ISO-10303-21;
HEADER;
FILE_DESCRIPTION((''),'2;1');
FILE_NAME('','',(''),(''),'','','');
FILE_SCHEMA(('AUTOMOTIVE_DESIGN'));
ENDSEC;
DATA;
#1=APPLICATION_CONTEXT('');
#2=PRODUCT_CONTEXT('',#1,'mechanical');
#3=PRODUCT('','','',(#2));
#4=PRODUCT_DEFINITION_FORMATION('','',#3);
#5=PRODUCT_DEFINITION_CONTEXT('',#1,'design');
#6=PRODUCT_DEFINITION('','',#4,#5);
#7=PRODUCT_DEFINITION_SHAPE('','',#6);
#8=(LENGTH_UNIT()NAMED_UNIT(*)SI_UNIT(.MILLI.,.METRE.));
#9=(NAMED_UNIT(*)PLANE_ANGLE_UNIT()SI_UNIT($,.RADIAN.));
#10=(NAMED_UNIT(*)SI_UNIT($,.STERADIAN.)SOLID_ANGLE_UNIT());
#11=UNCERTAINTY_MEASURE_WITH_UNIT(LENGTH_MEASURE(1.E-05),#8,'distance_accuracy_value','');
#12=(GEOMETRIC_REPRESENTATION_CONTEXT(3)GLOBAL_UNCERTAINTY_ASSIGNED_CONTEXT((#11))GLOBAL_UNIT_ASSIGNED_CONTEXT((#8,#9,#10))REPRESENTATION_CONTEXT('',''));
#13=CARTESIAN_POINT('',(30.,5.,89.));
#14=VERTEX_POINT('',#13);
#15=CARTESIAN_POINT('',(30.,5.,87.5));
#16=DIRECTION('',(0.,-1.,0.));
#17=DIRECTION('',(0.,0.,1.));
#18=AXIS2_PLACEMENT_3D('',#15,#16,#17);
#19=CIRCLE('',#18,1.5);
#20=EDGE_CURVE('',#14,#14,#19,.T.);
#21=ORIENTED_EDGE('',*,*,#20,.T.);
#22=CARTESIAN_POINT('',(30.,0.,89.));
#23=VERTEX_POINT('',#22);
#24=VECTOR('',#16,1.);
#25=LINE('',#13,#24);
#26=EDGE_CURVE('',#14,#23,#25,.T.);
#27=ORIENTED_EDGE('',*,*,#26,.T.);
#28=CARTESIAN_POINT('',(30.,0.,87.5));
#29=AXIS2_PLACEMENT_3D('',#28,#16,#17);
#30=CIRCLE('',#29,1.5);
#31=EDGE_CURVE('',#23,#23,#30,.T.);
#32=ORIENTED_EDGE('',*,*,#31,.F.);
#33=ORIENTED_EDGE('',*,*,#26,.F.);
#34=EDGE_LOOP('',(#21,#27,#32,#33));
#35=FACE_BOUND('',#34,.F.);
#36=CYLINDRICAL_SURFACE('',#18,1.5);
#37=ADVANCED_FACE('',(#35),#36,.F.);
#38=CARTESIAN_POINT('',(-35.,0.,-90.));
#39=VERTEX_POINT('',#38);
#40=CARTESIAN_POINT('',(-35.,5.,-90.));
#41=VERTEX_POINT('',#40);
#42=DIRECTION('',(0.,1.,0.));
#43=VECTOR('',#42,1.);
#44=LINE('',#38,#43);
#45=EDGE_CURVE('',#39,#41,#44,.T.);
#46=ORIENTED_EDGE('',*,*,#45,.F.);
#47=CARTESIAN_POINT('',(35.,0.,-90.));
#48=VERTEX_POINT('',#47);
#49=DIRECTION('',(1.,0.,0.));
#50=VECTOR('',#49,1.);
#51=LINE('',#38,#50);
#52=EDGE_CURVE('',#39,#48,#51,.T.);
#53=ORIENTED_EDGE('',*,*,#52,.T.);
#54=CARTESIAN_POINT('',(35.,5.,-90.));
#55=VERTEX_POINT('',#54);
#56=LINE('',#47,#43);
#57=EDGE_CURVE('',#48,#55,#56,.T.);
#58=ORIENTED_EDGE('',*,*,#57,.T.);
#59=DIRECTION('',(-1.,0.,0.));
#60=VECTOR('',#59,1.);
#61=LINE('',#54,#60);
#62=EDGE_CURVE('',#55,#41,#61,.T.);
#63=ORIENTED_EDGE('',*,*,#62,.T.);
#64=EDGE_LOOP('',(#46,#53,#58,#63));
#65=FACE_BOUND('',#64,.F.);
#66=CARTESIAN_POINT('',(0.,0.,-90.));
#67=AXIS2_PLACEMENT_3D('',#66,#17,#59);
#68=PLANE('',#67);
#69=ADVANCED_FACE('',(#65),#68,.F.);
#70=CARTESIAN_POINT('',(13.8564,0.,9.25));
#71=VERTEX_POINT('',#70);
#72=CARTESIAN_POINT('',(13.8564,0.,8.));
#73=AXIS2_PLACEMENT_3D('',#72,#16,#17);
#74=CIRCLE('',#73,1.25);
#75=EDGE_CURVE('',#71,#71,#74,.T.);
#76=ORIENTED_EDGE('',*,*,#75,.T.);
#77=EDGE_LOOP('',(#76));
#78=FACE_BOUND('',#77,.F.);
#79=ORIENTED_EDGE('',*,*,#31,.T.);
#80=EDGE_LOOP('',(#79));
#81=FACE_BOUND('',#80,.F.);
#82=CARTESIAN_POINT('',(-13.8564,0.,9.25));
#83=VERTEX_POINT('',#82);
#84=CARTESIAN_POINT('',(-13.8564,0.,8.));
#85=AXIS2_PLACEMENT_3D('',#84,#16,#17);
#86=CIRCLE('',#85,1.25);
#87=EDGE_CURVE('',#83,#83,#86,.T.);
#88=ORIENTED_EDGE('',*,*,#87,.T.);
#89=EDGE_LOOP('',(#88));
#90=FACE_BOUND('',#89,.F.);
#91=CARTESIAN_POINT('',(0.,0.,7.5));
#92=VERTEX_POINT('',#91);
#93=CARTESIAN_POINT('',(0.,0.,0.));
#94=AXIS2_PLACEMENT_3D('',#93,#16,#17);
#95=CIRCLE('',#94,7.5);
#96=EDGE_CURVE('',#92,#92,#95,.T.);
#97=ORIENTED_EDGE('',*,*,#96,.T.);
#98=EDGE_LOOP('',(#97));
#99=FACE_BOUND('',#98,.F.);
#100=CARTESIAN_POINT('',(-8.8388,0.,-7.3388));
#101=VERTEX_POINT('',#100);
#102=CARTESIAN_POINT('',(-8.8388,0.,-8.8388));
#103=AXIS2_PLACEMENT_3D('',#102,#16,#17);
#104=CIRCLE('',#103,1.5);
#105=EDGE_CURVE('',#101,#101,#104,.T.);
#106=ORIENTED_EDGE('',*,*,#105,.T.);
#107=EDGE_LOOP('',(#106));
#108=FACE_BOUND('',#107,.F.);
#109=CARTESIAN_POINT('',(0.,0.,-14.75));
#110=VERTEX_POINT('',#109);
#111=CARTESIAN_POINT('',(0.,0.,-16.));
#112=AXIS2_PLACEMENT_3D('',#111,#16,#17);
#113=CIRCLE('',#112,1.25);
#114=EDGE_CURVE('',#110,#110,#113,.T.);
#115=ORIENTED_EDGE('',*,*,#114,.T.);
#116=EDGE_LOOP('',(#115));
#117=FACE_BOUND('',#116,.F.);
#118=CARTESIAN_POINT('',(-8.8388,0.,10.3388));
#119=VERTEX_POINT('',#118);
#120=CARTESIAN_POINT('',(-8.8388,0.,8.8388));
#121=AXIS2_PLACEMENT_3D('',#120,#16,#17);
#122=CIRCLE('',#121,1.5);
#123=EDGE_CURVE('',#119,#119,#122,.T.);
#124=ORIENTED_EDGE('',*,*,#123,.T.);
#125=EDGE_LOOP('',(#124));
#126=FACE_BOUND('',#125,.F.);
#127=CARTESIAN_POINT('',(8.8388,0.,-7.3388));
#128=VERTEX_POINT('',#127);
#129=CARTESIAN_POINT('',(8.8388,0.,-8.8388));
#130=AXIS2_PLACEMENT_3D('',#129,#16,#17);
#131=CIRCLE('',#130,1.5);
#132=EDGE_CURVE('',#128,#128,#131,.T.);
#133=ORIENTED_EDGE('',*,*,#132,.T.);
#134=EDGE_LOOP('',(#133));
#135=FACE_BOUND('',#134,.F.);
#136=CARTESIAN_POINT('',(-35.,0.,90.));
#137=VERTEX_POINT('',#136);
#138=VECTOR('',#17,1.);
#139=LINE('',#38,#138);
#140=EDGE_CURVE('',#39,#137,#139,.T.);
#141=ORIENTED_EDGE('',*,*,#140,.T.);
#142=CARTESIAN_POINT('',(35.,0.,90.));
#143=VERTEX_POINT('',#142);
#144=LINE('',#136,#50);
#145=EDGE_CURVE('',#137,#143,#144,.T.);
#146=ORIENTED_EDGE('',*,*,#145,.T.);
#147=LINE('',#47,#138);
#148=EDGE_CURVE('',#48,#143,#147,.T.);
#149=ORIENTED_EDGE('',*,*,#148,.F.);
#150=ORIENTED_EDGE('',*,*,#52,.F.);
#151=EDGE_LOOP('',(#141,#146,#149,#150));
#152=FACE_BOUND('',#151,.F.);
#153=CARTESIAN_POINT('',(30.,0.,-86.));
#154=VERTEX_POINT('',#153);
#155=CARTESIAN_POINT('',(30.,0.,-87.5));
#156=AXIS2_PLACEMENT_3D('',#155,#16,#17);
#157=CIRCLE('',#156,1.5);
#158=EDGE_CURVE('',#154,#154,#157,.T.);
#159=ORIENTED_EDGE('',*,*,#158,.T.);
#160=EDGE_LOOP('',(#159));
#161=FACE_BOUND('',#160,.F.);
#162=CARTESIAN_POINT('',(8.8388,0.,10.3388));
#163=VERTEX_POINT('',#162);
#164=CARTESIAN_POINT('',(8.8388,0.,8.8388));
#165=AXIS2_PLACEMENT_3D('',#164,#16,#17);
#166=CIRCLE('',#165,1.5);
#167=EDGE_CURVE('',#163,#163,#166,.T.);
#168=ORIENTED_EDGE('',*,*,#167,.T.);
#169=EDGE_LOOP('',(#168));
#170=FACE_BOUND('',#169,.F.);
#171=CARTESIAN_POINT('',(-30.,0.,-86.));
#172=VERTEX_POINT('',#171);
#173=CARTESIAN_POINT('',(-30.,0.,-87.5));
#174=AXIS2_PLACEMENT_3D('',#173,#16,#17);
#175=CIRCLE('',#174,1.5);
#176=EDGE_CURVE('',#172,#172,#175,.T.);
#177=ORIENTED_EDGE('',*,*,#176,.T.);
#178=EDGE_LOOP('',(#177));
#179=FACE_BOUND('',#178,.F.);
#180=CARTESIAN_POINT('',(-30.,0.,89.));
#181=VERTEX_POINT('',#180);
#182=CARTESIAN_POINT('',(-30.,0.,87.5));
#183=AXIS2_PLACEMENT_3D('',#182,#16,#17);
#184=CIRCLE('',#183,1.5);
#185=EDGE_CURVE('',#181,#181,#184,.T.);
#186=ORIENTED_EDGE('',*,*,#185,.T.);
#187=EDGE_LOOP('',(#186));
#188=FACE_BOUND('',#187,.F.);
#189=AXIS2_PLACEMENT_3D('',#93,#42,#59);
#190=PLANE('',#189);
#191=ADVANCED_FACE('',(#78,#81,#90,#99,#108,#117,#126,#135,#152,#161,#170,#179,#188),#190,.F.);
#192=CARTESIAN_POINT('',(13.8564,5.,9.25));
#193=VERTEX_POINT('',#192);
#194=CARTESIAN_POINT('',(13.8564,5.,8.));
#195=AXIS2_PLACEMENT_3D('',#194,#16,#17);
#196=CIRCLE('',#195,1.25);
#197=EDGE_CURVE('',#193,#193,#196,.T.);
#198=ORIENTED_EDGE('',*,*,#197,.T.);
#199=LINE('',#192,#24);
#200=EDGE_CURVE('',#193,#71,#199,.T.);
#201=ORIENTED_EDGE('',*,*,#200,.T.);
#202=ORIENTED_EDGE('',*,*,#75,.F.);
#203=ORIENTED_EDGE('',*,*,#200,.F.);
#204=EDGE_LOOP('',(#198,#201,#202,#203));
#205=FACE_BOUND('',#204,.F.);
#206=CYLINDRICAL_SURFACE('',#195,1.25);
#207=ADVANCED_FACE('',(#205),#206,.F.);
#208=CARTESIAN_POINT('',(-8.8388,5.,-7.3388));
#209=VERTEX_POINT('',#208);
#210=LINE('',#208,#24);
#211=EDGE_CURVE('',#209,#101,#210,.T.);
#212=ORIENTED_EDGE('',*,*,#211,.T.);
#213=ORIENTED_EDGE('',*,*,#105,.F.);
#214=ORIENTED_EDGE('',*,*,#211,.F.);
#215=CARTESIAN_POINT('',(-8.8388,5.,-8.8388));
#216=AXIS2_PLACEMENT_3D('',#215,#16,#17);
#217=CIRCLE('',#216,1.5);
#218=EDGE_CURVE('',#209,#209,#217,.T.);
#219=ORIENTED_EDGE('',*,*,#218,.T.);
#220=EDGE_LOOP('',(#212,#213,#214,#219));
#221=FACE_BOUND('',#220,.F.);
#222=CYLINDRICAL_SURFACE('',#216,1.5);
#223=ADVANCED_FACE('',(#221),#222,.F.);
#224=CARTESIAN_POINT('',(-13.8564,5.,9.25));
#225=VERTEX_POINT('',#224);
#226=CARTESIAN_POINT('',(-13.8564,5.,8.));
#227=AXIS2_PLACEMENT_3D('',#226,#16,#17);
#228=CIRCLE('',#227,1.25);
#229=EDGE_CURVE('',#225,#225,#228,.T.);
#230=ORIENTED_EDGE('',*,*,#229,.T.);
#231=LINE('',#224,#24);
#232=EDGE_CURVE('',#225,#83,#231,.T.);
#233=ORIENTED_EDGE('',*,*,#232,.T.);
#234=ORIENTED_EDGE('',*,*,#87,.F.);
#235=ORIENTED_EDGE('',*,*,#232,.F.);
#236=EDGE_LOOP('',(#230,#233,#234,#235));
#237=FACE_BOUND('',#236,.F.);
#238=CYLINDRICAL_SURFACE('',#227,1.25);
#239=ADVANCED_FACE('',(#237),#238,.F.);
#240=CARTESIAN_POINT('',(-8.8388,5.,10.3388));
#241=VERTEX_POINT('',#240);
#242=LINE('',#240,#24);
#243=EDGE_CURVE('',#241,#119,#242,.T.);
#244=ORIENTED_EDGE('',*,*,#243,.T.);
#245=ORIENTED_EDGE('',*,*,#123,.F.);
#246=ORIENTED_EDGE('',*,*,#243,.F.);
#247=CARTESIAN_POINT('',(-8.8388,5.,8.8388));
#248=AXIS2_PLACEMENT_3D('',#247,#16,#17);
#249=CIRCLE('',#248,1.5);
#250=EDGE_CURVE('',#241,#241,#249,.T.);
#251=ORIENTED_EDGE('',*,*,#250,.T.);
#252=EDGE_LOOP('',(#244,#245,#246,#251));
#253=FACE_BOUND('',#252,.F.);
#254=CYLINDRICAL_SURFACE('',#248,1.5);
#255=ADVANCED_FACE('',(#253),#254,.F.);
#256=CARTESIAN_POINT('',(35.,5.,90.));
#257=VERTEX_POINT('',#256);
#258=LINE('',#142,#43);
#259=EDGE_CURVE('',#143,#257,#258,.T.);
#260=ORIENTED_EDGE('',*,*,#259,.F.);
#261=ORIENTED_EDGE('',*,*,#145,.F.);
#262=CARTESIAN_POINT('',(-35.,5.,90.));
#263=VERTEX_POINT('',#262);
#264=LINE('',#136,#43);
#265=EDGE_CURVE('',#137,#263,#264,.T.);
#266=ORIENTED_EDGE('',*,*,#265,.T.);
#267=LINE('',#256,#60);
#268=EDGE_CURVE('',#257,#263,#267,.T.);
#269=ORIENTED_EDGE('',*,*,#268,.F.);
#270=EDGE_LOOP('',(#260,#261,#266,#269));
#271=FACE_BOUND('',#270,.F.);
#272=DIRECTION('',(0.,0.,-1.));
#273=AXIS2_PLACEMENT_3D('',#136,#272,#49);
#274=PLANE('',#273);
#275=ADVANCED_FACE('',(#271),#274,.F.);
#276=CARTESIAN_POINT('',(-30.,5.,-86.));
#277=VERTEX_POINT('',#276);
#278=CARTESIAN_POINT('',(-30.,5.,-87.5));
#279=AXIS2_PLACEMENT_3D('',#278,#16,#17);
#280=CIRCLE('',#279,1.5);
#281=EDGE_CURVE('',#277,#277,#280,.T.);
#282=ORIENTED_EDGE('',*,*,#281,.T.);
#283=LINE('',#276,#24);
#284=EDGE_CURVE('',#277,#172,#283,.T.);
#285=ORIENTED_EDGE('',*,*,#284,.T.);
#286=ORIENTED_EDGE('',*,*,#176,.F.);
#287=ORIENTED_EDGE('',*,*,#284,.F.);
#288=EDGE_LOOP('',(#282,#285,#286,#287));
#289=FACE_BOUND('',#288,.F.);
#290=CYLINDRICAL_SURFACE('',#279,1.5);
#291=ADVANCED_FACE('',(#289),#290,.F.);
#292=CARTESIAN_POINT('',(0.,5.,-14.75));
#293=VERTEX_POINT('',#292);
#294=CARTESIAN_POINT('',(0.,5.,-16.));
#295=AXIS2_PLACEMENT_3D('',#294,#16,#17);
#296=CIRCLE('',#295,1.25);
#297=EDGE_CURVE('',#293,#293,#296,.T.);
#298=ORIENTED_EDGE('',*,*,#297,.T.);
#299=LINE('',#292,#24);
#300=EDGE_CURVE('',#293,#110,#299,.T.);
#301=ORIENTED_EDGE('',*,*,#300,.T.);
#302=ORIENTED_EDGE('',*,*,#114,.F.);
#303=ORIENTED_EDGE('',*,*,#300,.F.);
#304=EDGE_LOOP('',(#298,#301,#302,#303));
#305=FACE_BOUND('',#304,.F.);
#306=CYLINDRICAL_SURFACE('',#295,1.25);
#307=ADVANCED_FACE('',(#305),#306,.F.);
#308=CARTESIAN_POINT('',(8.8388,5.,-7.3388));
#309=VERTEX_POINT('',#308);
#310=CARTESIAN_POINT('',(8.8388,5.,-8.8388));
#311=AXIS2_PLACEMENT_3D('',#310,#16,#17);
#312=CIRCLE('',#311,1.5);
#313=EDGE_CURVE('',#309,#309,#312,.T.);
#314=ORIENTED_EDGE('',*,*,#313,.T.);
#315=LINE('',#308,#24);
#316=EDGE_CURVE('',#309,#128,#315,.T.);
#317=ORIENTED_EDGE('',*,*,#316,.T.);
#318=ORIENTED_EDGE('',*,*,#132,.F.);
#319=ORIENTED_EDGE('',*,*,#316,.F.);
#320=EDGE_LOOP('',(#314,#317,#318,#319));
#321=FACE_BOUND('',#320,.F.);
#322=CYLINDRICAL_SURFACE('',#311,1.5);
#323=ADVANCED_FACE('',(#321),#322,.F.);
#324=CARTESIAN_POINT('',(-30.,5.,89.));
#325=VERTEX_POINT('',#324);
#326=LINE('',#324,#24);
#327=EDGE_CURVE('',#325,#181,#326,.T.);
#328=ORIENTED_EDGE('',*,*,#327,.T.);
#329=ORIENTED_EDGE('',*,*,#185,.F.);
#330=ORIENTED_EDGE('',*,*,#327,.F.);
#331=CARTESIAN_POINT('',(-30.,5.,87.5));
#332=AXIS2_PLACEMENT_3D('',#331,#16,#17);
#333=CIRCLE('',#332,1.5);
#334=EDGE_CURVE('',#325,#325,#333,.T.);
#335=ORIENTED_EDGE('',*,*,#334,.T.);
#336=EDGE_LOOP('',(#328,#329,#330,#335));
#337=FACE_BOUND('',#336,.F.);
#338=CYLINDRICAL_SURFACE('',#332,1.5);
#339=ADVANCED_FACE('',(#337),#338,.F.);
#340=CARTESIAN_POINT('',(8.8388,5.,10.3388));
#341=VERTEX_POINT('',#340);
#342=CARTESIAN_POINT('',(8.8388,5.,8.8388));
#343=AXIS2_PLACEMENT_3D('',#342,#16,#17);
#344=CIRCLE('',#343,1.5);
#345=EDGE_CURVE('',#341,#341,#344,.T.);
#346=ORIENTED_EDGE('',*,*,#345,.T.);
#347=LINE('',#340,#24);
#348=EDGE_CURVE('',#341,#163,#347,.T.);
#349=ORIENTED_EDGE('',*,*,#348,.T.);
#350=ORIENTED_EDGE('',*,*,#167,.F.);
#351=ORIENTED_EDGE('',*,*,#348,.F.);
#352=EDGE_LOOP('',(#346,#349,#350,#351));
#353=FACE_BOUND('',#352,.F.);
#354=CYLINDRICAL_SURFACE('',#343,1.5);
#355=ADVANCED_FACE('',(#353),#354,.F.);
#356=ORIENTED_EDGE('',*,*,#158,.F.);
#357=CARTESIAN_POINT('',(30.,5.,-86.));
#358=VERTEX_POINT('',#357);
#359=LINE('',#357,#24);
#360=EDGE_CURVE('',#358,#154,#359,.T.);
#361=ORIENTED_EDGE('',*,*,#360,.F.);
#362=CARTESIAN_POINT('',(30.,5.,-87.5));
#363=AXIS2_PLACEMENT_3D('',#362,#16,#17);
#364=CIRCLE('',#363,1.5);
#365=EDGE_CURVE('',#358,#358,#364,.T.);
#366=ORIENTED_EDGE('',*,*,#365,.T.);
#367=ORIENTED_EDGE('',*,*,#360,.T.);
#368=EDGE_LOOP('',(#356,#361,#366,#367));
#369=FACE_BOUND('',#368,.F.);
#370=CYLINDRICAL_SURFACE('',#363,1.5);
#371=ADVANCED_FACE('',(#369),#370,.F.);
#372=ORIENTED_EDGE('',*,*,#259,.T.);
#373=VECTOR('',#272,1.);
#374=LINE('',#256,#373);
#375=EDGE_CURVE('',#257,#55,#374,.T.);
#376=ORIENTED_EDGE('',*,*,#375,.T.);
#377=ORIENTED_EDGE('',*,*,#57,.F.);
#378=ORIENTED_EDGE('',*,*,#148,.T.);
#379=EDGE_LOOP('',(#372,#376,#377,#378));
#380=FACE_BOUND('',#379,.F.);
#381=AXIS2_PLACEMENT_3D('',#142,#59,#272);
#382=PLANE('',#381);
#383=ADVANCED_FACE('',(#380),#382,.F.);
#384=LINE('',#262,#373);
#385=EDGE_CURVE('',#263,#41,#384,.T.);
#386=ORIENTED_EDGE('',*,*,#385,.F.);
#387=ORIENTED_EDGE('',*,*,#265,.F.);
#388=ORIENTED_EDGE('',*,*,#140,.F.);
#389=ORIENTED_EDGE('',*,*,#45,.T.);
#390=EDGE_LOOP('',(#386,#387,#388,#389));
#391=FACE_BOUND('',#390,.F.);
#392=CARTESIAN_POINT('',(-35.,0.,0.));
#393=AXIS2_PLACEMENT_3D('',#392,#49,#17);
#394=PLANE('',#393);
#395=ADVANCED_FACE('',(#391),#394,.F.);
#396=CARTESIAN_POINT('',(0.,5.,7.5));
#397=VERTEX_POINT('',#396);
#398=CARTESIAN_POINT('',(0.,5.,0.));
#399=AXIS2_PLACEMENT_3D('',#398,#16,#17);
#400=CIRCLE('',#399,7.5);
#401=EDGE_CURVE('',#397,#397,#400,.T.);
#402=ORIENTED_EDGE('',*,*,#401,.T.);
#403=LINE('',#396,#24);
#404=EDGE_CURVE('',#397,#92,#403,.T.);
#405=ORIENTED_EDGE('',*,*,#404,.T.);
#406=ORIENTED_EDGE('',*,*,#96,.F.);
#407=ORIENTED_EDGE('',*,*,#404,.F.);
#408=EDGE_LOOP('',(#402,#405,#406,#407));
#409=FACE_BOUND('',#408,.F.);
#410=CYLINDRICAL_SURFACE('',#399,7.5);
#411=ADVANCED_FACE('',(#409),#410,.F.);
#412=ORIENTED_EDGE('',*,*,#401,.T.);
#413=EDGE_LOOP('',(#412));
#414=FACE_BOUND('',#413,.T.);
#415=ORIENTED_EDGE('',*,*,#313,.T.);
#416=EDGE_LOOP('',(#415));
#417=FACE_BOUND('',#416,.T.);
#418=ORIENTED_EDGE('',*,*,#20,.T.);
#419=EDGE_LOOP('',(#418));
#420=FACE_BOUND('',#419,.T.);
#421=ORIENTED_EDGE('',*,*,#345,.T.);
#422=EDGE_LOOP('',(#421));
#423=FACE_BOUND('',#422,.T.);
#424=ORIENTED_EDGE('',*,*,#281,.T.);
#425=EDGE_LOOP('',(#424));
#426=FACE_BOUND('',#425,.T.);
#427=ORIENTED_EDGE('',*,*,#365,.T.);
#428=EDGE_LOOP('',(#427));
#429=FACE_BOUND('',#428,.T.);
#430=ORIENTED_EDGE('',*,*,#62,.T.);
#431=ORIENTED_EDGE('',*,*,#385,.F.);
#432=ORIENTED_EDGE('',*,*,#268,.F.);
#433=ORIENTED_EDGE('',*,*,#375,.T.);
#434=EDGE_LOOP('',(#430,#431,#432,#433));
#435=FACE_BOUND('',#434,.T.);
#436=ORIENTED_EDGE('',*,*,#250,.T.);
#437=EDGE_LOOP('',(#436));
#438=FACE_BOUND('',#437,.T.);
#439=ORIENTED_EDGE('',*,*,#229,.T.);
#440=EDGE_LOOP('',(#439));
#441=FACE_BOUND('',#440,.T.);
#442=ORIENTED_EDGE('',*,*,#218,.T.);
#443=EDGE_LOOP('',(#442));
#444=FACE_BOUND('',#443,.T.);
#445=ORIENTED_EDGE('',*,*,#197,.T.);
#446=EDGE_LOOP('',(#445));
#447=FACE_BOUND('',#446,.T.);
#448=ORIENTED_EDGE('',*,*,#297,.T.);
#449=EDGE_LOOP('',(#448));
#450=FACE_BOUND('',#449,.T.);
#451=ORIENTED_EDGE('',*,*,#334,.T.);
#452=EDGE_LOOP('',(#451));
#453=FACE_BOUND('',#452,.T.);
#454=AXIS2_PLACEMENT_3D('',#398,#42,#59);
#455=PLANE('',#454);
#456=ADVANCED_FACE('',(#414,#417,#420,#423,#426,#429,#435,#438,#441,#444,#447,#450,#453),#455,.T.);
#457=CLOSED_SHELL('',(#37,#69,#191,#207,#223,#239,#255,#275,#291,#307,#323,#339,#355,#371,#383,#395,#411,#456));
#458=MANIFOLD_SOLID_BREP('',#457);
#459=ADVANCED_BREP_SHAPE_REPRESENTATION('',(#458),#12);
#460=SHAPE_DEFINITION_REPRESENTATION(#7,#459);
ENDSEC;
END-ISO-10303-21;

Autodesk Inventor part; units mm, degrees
ref_plane "YZ Plane" through (0, 0, 0) normal (1, 0, 0) x (0, 1, 0)
ref_plane "XZ Plane" through (0, 0, 0) normal (0, 1, 0) x (-1, 0, 0)
ref_plane "XY Plane" through (0, 0, 0) normal (0, 0, 1) x (1, 0, 0)
sketch "Sketch1" plane through (0, 0, 0) normal (0, 1, 0) x (-1, 0, 0)
  line L0 (35, 90) -> (-35, 90)
  line L1 (-35, 90) -> (-35, -90)
  line L2 (-35, -90) -> (35, -90)
  line L3 (35, -90) -> (35, 90)
  line L4 (69.6704, 0) -> (-52.4451, 0) projected
  line L5 (0, -129.3465) -> (0, 126.5577) projected
  point P0 (0, 0)
  dimension "d0" = 180
  dimension "d1" = 70
extrude "Extrusion1" add sketch "Sketch1" along normal blind 5
sketch "Sketch2" plane through (0, 5, 0) normal (0, 1, 0) x (1, 0, 0)
  line L0 (-35, 90) -> (-35, -90) projected
  line L1 (35, -90) -> (35, 90) projected
  line L2 (-35, -90) -> (35, -90) projected
  line L3 (-35, -90) -> (35, -90) projected
  line L4 (35, -90) -> (35, 90) projected
  line L5 (35, 90) -> (-35, 90) projected
  line L6 (-35, 90) -> (-35, -90) projected
  line L7 (-49, 0) -> (49, 0) projected
  line L8 (0, 126) -> (0, -126) projected
  point P0 (0, 0)
  point P1 (-30, -87.5)
  point P2 (-30, 87.5)
  point P3 (30, -87.5)
  point P4 (30, 87.5)
  dimension "d4" = 5
  dimension "d5" = 2.5
hole "Hole1" at (-30, 5, -87.5) at (30, 5, 87.5) at (30, 5, -87.5) at (-30, 5, 87.5) direction (0, -1, 0) diameter 3 depth 8.8 tip angle 118
sketch "Sketch3" plane through (0, 5, 0) normal (0, 1, 0) x (1, 0, 0)
  point P0 (0, 0)
hole "Hole2" at (0, 5, 0) direction (0, -1, 0) diameter 15 depth 14.2 tip angle 118
sketch "Sketch4" plane through (0, 5, 0) normal (0, 1, 0) x (1, 0, 0)
  circle A0 centre (0, 0) radius 7.5 projected
  line L0 (35, 90) -> (-35, 90) projected
  line L1 (-35, 90) -> (-35, -90) projected
  line L2 (-35, -90) -> (35, -90) projected
  circle A1 centre (0, 0) radius 12.5
  line L3 (-35, 0) -> (35, 0)
  line L4 (35, -90) -> (35, 90) projected
  line L5 (0, 90) -> (0, -90)
  point P0 (-8.8388, -8.8388)
  point P1 (8.8388, -8.8388)
  point P2 (-8.8388, 8.8388)
  point P3 (8.8388, 8.8388)
  dimension "d42" = 25
  dimension "d45" = 45
hole "Hole3" at (-8.8388, 5, 8.8388) at (-8.8388, 5, -8.8388) at (8.8388, 5, -8.8388) at (8.8388, 5, 8.8388) direction (0, -1, 0) diameter 3 end through all
sketch "Sketch5" plane through (0, 5, 0) normal (0, 1, 0) x (1, 0, 0)
  point P0 (0, 0)
sketch "Sketch6" plane through (0, 5, 0) normal (0, 1, 0) x (1, 0, 0)
  point P0 (0, 0)
  point P1 (0, 16)
  point P2 (-13.8564, -8)
  point P3 (0, 0)
  point P4 (13.8564, -8)
  point P5 (0, 0)
  dimension "d30" = 16
  dimension "d33" = 360
hole "Hole4" at (-13.8564, 5, 8) at (13.8564, 5, 8) at (0, 5, -16) direction (0, -1, 0) diameter 2.5 end through all
properties part number "옆판" material "Aluminum 6061-AHC"
